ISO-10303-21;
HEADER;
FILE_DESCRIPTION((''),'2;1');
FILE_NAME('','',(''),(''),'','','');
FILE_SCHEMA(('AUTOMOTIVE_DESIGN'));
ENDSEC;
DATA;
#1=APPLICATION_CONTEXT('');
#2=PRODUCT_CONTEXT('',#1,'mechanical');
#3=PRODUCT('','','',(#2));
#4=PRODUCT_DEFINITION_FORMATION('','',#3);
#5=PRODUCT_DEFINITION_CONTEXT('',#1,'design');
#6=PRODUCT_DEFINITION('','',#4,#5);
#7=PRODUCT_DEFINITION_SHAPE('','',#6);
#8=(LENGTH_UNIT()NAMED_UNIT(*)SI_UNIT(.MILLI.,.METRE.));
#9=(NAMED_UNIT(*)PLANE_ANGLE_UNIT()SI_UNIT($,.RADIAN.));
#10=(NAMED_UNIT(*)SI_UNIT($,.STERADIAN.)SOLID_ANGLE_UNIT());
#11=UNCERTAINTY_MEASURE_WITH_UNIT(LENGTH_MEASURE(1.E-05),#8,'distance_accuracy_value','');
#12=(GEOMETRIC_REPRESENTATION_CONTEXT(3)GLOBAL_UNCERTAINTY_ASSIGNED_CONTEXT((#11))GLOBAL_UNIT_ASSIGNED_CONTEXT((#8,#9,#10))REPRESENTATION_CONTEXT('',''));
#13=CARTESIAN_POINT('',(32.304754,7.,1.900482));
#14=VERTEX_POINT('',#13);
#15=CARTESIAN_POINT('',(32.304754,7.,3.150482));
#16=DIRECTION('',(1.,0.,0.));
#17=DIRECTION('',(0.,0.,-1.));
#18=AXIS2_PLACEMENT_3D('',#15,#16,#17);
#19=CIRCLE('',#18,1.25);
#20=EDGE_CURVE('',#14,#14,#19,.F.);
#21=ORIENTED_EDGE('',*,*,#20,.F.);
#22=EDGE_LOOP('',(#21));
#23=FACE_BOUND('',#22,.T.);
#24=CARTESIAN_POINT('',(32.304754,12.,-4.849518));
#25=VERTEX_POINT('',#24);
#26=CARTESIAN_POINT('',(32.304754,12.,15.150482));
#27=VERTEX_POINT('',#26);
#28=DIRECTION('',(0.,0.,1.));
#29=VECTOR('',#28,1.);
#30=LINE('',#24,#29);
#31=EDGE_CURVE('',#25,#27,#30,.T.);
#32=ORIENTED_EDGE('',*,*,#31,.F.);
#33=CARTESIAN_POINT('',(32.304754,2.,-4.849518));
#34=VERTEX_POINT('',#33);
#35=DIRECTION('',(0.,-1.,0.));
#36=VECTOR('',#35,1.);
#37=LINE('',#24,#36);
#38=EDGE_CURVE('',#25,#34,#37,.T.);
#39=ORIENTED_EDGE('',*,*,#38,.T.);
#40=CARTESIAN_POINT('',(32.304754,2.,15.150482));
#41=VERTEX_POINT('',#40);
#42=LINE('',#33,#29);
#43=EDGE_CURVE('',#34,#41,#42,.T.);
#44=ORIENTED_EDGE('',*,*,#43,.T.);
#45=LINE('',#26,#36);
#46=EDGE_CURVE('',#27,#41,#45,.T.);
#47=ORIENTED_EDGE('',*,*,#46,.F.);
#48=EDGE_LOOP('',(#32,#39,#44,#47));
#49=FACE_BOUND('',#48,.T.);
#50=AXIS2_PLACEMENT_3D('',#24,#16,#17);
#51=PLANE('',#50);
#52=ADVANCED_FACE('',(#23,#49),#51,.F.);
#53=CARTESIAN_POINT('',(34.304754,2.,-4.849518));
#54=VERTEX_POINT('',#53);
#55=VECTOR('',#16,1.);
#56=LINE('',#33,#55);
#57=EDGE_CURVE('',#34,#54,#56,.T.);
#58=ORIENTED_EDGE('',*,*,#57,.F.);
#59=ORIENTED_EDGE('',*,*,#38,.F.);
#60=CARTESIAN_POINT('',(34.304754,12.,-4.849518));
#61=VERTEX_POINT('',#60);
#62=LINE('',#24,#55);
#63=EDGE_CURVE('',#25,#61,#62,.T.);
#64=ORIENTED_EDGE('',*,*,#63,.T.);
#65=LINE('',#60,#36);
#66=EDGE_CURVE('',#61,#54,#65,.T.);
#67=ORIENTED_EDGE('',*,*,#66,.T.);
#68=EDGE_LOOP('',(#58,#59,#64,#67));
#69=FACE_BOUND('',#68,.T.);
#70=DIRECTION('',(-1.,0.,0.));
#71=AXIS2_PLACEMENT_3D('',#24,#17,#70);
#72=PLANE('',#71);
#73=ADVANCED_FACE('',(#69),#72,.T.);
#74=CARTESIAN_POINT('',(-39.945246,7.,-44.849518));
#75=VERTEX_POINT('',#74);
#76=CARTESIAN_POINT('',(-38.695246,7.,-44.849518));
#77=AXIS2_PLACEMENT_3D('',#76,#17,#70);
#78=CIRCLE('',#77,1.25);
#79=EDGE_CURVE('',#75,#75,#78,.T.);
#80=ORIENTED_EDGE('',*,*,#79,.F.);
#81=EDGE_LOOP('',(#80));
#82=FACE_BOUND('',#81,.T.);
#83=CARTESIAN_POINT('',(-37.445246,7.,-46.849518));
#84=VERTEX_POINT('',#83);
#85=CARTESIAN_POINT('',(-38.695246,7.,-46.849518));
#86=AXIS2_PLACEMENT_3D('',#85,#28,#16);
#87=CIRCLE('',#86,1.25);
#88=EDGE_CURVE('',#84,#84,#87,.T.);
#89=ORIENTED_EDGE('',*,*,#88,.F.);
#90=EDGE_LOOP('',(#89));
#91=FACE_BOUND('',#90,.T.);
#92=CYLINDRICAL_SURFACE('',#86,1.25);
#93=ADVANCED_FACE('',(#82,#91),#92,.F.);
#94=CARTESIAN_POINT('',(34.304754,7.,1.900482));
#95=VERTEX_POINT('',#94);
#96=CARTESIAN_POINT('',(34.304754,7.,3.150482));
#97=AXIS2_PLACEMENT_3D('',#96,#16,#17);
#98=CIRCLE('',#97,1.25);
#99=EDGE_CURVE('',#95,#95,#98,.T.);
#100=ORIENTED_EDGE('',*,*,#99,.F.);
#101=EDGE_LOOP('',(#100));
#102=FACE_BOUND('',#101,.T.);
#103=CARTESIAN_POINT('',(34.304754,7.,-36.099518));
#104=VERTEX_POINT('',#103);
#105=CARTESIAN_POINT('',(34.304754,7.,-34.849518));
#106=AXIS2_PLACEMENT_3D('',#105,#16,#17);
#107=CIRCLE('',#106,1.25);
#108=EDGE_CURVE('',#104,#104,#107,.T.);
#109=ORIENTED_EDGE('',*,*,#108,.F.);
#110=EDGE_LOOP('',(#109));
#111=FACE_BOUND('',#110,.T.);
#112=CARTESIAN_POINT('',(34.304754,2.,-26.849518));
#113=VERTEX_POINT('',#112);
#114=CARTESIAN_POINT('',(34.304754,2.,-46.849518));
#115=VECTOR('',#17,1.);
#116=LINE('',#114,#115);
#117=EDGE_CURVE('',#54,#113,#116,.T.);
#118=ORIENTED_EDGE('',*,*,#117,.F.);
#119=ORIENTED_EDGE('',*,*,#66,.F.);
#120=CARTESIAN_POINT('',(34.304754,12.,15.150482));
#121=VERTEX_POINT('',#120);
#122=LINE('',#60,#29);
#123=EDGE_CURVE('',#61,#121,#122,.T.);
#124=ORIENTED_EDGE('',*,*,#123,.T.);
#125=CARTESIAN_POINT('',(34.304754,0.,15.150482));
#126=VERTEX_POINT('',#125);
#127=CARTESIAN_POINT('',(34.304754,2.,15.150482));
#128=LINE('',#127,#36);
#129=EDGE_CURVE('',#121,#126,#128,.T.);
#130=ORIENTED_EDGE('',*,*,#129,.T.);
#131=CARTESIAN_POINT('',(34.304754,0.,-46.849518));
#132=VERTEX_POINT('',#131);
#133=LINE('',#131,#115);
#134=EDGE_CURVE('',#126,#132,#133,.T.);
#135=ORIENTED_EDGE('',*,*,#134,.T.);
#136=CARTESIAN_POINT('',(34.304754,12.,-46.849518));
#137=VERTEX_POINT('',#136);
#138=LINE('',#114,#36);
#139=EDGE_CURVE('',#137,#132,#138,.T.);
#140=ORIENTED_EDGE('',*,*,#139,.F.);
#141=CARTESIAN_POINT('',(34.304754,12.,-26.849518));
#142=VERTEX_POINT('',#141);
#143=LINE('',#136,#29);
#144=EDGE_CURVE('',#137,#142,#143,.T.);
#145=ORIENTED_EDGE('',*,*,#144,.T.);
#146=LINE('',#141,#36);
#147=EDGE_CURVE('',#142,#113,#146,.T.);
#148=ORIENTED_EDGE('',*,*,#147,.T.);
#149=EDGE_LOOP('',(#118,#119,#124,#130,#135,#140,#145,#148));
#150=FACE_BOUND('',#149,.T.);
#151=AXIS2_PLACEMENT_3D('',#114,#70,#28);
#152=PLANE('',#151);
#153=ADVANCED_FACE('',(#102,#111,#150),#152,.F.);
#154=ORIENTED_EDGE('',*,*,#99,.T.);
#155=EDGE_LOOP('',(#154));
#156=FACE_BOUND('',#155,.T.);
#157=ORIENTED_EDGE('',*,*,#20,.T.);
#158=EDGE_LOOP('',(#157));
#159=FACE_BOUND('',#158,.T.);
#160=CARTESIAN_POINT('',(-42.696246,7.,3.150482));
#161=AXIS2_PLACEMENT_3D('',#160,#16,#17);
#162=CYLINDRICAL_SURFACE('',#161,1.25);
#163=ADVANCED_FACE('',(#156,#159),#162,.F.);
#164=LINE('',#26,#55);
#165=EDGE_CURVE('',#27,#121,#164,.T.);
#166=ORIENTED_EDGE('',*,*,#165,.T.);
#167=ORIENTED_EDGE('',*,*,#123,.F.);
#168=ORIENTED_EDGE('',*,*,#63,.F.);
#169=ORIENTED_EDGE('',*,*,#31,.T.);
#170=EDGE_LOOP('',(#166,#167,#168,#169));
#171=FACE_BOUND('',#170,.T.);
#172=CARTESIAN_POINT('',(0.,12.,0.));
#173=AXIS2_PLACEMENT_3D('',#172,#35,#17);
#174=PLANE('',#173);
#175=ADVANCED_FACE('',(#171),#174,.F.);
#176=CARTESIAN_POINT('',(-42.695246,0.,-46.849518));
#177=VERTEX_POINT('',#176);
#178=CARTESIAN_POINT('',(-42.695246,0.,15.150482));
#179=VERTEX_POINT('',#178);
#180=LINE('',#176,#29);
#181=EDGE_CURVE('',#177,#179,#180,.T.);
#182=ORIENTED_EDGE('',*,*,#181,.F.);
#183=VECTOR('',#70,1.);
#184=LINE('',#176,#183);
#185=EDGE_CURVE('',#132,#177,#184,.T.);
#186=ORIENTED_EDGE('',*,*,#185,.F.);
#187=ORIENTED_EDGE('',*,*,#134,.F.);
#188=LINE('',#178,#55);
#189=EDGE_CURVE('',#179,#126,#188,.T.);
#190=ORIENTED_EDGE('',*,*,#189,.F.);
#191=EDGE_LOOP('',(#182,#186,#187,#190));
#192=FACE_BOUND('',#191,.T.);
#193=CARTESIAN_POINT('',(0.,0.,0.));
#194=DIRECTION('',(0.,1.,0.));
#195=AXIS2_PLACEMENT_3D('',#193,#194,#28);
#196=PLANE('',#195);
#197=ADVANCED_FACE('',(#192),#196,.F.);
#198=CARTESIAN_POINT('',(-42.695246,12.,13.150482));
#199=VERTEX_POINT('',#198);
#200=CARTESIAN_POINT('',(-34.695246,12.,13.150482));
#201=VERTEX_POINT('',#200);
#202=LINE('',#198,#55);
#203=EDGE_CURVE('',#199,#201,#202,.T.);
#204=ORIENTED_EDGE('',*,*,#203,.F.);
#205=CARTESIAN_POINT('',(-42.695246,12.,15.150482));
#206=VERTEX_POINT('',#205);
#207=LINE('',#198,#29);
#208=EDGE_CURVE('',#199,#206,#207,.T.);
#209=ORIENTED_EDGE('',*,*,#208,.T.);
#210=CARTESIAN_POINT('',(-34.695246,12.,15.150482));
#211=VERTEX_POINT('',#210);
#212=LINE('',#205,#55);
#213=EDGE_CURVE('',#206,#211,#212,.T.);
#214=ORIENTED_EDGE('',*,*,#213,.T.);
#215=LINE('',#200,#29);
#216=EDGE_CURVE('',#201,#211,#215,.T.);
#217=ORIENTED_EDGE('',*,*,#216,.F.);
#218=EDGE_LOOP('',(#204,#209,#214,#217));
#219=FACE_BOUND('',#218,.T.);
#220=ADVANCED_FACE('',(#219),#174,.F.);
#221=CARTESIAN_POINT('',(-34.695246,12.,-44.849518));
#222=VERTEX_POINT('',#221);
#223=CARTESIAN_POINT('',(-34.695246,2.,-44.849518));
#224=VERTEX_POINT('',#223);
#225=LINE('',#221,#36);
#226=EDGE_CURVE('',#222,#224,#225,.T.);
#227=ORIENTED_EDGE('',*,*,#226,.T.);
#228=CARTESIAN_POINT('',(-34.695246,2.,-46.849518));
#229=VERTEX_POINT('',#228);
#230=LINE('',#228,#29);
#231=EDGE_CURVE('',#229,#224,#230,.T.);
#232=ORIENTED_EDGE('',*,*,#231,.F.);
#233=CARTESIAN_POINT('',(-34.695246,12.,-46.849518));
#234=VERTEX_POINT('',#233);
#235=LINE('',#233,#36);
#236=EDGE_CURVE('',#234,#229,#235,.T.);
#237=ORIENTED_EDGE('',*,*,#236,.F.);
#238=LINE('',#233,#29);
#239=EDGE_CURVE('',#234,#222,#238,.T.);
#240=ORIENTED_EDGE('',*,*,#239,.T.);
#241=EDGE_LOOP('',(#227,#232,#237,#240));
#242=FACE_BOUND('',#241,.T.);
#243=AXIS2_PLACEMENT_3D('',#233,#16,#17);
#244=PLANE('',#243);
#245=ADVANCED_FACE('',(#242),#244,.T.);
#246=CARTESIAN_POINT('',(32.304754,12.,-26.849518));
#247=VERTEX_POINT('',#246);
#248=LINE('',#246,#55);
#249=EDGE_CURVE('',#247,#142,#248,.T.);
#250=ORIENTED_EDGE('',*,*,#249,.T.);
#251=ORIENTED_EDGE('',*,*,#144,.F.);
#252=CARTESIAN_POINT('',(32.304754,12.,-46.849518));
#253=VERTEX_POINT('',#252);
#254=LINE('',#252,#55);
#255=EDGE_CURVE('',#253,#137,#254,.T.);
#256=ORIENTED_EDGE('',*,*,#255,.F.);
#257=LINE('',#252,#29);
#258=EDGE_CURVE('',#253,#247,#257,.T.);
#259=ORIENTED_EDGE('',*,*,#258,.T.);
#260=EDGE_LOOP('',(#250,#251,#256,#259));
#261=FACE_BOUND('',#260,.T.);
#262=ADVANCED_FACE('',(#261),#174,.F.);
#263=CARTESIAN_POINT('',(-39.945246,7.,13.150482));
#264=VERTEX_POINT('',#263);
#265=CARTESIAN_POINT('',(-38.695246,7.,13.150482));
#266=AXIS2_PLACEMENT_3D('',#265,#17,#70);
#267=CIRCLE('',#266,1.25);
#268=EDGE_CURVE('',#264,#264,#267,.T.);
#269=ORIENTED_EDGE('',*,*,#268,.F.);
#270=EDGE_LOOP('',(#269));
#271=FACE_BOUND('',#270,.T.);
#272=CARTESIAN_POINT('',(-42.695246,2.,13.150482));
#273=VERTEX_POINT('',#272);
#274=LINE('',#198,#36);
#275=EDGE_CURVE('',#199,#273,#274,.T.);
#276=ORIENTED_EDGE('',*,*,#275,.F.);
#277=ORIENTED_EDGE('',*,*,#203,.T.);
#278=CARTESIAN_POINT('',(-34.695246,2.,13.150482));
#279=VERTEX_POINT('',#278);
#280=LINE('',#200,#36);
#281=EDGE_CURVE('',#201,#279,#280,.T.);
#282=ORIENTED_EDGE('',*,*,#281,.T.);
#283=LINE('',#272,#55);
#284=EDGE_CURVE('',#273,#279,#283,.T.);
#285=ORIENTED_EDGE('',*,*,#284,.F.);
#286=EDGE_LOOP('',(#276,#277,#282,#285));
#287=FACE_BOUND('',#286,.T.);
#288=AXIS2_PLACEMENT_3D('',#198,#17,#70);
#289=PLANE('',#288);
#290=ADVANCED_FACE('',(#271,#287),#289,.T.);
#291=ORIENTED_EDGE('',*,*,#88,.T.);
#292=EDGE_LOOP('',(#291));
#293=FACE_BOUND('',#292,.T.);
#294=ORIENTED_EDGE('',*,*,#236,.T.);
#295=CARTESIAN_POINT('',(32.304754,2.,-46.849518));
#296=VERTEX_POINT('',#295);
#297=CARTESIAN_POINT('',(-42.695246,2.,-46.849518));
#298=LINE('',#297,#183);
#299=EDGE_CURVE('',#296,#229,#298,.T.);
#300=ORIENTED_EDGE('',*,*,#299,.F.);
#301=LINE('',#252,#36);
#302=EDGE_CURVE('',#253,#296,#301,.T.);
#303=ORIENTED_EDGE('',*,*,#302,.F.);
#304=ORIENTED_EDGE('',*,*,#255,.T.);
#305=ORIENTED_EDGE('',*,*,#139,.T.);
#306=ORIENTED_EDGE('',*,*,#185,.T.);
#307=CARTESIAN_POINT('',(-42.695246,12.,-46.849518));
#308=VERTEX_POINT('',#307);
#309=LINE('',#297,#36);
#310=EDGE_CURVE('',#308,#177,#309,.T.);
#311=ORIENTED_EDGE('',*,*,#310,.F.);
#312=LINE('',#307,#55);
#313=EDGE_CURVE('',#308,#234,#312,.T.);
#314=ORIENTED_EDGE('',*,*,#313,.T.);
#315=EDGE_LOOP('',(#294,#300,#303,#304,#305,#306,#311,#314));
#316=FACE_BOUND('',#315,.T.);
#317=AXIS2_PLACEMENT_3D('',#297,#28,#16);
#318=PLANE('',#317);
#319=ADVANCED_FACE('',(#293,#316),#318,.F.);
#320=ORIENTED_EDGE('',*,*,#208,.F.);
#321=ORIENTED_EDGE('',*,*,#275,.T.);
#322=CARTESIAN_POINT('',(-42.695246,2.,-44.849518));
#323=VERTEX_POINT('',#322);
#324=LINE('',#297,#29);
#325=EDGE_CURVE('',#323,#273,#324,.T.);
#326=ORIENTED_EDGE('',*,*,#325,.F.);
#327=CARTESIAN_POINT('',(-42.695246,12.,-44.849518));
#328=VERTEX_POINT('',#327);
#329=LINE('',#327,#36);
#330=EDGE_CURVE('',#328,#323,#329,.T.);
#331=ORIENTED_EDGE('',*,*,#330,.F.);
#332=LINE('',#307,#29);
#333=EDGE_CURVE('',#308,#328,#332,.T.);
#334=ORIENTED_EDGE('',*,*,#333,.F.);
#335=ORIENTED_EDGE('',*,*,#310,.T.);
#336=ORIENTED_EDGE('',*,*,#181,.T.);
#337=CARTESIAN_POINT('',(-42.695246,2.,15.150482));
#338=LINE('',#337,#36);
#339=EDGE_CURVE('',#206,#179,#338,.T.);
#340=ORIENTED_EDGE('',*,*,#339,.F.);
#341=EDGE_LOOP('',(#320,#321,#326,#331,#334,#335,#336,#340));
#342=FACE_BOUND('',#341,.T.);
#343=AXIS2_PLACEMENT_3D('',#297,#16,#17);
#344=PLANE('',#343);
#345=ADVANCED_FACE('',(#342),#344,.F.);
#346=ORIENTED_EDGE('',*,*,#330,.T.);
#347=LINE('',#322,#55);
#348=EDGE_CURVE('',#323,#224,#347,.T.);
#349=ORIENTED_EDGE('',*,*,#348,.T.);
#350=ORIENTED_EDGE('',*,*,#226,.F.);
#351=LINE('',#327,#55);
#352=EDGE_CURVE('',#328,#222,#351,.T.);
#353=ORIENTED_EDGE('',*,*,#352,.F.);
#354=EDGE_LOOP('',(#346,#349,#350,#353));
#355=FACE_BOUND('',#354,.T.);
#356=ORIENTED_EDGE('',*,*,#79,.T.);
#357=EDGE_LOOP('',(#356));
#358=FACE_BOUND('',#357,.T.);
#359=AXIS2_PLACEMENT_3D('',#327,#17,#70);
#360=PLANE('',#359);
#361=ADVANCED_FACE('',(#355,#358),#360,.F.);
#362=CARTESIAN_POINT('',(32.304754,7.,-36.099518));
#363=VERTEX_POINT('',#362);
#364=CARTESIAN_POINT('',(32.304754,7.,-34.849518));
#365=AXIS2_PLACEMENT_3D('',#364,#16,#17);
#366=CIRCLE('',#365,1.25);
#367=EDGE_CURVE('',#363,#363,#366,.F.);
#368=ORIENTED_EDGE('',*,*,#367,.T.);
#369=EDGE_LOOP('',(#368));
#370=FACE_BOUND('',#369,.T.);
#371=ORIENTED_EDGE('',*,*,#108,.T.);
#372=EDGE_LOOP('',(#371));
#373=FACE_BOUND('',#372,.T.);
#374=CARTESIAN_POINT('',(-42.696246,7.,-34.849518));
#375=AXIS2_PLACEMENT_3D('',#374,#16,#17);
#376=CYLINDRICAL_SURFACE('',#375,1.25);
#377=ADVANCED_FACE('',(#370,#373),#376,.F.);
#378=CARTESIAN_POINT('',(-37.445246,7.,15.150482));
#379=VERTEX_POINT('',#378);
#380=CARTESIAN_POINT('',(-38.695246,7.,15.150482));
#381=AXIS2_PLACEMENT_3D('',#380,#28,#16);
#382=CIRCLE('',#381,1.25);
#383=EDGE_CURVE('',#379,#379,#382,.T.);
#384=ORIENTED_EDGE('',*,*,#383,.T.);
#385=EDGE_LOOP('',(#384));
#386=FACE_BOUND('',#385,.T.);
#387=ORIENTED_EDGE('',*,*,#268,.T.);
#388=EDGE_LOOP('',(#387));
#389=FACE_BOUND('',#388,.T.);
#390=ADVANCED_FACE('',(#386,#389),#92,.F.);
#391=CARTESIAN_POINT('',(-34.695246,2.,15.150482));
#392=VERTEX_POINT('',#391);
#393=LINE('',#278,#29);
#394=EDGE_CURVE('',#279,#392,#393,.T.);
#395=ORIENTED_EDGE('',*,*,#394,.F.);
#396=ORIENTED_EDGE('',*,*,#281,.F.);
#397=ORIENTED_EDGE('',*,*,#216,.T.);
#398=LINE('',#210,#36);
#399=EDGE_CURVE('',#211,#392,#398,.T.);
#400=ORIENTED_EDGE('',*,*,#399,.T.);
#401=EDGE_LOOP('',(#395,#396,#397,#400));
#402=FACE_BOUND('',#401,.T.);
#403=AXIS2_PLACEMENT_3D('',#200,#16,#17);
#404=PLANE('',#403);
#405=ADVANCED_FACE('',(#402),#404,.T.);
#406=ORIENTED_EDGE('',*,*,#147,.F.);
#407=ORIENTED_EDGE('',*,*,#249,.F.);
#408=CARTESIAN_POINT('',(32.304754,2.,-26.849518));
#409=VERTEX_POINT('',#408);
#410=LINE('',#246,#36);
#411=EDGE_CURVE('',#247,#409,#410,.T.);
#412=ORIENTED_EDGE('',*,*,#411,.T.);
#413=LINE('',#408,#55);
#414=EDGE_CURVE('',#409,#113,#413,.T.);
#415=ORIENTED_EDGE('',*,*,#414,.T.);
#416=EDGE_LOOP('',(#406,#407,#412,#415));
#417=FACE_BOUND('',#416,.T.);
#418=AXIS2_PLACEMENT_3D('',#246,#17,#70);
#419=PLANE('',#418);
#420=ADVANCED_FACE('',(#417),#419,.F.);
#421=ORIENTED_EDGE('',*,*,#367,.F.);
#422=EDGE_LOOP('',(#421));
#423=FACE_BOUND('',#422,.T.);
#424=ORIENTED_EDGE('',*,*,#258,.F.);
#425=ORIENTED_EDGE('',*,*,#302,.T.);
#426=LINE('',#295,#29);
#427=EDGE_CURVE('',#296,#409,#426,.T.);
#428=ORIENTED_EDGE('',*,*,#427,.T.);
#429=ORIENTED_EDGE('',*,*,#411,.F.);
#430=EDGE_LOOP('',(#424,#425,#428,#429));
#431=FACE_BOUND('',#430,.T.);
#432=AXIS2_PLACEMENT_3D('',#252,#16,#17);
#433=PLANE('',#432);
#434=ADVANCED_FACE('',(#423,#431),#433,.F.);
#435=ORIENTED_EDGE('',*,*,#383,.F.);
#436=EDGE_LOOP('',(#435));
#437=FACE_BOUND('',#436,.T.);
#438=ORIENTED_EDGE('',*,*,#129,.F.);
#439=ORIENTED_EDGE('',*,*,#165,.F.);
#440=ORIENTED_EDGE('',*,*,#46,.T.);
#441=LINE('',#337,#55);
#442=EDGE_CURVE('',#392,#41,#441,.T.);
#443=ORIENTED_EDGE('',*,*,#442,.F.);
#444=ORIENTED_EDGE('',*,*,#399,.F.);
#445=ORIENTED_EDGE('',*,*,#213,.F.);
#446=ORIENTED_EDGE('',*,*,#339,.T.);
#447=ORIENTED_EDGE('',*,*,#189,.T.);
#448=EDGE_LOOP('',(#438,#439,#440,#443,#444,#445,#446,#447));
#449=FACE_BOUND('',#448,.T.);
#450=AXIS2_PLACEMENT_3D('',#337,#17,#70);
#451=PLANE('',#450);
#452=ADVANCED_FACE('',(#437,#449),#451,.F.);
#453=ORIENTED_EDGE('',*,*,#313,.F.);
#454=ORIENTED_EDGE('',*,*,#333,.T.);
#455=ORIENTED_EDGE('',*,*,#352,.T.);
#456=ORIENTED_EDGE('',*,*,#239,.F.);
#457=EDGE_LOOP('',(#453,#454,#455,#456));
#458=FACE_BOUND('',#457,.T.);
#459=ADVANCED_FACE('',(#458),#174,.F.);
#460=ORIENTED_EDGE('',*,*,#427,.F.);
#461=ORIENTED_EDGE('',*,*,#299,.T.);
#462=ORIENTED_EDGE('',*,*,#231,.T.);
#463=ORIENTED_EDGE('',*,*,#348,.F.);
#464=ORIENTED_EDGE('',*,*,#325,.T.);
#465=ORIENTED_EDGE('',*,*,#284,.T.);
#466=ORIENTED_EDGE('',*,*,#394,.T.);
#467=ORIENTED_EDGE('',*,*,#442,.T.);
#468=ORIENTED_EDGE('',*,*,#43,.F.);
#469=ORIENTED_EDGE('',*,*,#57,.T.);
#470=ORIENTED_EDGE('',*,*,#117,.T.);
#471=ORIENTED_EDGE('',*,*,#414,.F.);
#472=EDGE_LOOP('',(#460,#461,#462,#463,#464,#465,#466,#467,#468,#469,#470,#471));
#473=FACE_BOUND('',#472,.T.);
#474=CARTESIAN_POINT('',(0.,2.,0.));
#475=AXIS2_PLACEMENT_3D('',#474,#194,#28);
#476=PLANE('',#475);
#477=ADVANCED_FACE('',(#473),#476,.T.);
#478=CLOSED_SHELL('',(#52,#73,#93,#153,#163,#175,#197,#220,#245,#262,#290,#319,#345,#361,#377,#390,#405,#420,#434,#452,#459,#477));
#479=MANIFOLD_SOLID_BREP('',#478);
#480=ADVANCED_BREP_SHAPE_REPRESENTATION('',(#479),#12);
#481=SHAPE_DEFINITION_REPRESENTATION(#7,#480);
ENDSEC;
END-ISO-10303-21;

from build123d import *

# Parameters (mm, degrees)
SKETCH2_W           = 77
SKETCH2_H           = 62
BOSS_EXTRUDE1_DEPTH = 2
SKETCH3_W           = 8
SKETCH3_H           = 2
SKETCH3_W_2         = 2
SKETCH3_H_2         = 20
BOSS_EXTRUDE2_DEPTH = 10
SKETCH4_R           = 1.25
CUT_EXTRUDE1_DEPTH  = 63
CUT_EXTRUDE2_REACH  = 79
SKETCH5_R           = 1.25


with BuildPart() as part:
    # Sketch2 → Boss-Extrude1 (new body)
    with BuildSketch(Plane(origin=(0, 0, 0), x_dir=(1, 0, 0), z_dir=(0, 1, 0))):
        with Locations((-4.195246224, 15.849517589)):
            Rectangle(SKETCH2_W, SKETCH2_H)
    extrude(amount=BOSS_EXTRUDE1_DEPTH)

    # Sketch3 → Boss-Extrude2 (add)
    with BuildSketch(Plane(origin=(0, 2, 0), x_dir=(1, 0, 0), z_dir=(0, 1, 0))):
        with Locations((-38.695246224, -14.150482411)):
            Rectangle(SKETCH3_W, SKETCH3_H)
        with Locations((-38.695246224, 45.849517589)):
            Rectangle(SKETCH3_W, SKETCH3_H)
        with Locations((33.304753776, 36.849517589)):
            Rectangle(SKETCH3_W_2, SKETCH3_H_2)
        with Locations((33.304753776, -5.150482411)):
            Rectangle(SKETCH3_W_2, SKETCH3_H_2)
    extrude(amount=BOSS_EXTRUDE2_DEPTH)

    # Sketch4 → Cut-Extrude1 (cut, through all)
    with BuildSketch(Plane.XY.offset(15.150482411)):
        with Locations((-38.695246224, 7)):
            Circle(SKETCH4_R)
    extrude(amount=-CUT_EXTRUDE1_DEPTH, mode=Mode.SUBTRACT)

    # Sketch5 → Cut-Extrude2 (cut, up to next)
    with BuildSketch(Plane(origin=(34.304753776, 0, 0), x_dir=(0, 0, -1), z_dir=(1, 0, 0)), mode=Mode.PRIVATE) as cut_extrude2_sk1:
        with Locations((-3.150482411, 7)):
            Circle(SKETCH5_R)
    cut_extrude2_tool1 = extrude(cut_extrude2_sk1.sketch, amount=-CUT_EXTRUDE2_REACH, mode=Mode.PRIVATE) & part.part
    add(cut_extrude2_tool1.solids().sort_by_distance((34.304754, 7, 3.150482))[0], mode=Mode.SUBTRACT)
    # Sketch5 → Cut-Extrude2 (cut, up to next)
    with BuildSketch(Plane(origin=(34.304753776, 0, 0), x_dir=(0, 0, -1), z_dir=(1, 0, 0)), mode=Mode.PRIVATE) as cut_extrude2_sk2:
        with Locations((34.849517589, 7)):
            Circle(SKETCH5_R)
    cut_extrude2_tool2 = extrude(cut_extrude2_sk2.sketch, amount=-CUT_EXTRUDE2_REACH, mode=Mode.PRIVATE) & part.part
    add(cut_extrude2_tool2.solids().sort_by_distance((34.304754, 7, -34.849518))[0], mode=Mode.SUBTRACT)


solid = part.part
